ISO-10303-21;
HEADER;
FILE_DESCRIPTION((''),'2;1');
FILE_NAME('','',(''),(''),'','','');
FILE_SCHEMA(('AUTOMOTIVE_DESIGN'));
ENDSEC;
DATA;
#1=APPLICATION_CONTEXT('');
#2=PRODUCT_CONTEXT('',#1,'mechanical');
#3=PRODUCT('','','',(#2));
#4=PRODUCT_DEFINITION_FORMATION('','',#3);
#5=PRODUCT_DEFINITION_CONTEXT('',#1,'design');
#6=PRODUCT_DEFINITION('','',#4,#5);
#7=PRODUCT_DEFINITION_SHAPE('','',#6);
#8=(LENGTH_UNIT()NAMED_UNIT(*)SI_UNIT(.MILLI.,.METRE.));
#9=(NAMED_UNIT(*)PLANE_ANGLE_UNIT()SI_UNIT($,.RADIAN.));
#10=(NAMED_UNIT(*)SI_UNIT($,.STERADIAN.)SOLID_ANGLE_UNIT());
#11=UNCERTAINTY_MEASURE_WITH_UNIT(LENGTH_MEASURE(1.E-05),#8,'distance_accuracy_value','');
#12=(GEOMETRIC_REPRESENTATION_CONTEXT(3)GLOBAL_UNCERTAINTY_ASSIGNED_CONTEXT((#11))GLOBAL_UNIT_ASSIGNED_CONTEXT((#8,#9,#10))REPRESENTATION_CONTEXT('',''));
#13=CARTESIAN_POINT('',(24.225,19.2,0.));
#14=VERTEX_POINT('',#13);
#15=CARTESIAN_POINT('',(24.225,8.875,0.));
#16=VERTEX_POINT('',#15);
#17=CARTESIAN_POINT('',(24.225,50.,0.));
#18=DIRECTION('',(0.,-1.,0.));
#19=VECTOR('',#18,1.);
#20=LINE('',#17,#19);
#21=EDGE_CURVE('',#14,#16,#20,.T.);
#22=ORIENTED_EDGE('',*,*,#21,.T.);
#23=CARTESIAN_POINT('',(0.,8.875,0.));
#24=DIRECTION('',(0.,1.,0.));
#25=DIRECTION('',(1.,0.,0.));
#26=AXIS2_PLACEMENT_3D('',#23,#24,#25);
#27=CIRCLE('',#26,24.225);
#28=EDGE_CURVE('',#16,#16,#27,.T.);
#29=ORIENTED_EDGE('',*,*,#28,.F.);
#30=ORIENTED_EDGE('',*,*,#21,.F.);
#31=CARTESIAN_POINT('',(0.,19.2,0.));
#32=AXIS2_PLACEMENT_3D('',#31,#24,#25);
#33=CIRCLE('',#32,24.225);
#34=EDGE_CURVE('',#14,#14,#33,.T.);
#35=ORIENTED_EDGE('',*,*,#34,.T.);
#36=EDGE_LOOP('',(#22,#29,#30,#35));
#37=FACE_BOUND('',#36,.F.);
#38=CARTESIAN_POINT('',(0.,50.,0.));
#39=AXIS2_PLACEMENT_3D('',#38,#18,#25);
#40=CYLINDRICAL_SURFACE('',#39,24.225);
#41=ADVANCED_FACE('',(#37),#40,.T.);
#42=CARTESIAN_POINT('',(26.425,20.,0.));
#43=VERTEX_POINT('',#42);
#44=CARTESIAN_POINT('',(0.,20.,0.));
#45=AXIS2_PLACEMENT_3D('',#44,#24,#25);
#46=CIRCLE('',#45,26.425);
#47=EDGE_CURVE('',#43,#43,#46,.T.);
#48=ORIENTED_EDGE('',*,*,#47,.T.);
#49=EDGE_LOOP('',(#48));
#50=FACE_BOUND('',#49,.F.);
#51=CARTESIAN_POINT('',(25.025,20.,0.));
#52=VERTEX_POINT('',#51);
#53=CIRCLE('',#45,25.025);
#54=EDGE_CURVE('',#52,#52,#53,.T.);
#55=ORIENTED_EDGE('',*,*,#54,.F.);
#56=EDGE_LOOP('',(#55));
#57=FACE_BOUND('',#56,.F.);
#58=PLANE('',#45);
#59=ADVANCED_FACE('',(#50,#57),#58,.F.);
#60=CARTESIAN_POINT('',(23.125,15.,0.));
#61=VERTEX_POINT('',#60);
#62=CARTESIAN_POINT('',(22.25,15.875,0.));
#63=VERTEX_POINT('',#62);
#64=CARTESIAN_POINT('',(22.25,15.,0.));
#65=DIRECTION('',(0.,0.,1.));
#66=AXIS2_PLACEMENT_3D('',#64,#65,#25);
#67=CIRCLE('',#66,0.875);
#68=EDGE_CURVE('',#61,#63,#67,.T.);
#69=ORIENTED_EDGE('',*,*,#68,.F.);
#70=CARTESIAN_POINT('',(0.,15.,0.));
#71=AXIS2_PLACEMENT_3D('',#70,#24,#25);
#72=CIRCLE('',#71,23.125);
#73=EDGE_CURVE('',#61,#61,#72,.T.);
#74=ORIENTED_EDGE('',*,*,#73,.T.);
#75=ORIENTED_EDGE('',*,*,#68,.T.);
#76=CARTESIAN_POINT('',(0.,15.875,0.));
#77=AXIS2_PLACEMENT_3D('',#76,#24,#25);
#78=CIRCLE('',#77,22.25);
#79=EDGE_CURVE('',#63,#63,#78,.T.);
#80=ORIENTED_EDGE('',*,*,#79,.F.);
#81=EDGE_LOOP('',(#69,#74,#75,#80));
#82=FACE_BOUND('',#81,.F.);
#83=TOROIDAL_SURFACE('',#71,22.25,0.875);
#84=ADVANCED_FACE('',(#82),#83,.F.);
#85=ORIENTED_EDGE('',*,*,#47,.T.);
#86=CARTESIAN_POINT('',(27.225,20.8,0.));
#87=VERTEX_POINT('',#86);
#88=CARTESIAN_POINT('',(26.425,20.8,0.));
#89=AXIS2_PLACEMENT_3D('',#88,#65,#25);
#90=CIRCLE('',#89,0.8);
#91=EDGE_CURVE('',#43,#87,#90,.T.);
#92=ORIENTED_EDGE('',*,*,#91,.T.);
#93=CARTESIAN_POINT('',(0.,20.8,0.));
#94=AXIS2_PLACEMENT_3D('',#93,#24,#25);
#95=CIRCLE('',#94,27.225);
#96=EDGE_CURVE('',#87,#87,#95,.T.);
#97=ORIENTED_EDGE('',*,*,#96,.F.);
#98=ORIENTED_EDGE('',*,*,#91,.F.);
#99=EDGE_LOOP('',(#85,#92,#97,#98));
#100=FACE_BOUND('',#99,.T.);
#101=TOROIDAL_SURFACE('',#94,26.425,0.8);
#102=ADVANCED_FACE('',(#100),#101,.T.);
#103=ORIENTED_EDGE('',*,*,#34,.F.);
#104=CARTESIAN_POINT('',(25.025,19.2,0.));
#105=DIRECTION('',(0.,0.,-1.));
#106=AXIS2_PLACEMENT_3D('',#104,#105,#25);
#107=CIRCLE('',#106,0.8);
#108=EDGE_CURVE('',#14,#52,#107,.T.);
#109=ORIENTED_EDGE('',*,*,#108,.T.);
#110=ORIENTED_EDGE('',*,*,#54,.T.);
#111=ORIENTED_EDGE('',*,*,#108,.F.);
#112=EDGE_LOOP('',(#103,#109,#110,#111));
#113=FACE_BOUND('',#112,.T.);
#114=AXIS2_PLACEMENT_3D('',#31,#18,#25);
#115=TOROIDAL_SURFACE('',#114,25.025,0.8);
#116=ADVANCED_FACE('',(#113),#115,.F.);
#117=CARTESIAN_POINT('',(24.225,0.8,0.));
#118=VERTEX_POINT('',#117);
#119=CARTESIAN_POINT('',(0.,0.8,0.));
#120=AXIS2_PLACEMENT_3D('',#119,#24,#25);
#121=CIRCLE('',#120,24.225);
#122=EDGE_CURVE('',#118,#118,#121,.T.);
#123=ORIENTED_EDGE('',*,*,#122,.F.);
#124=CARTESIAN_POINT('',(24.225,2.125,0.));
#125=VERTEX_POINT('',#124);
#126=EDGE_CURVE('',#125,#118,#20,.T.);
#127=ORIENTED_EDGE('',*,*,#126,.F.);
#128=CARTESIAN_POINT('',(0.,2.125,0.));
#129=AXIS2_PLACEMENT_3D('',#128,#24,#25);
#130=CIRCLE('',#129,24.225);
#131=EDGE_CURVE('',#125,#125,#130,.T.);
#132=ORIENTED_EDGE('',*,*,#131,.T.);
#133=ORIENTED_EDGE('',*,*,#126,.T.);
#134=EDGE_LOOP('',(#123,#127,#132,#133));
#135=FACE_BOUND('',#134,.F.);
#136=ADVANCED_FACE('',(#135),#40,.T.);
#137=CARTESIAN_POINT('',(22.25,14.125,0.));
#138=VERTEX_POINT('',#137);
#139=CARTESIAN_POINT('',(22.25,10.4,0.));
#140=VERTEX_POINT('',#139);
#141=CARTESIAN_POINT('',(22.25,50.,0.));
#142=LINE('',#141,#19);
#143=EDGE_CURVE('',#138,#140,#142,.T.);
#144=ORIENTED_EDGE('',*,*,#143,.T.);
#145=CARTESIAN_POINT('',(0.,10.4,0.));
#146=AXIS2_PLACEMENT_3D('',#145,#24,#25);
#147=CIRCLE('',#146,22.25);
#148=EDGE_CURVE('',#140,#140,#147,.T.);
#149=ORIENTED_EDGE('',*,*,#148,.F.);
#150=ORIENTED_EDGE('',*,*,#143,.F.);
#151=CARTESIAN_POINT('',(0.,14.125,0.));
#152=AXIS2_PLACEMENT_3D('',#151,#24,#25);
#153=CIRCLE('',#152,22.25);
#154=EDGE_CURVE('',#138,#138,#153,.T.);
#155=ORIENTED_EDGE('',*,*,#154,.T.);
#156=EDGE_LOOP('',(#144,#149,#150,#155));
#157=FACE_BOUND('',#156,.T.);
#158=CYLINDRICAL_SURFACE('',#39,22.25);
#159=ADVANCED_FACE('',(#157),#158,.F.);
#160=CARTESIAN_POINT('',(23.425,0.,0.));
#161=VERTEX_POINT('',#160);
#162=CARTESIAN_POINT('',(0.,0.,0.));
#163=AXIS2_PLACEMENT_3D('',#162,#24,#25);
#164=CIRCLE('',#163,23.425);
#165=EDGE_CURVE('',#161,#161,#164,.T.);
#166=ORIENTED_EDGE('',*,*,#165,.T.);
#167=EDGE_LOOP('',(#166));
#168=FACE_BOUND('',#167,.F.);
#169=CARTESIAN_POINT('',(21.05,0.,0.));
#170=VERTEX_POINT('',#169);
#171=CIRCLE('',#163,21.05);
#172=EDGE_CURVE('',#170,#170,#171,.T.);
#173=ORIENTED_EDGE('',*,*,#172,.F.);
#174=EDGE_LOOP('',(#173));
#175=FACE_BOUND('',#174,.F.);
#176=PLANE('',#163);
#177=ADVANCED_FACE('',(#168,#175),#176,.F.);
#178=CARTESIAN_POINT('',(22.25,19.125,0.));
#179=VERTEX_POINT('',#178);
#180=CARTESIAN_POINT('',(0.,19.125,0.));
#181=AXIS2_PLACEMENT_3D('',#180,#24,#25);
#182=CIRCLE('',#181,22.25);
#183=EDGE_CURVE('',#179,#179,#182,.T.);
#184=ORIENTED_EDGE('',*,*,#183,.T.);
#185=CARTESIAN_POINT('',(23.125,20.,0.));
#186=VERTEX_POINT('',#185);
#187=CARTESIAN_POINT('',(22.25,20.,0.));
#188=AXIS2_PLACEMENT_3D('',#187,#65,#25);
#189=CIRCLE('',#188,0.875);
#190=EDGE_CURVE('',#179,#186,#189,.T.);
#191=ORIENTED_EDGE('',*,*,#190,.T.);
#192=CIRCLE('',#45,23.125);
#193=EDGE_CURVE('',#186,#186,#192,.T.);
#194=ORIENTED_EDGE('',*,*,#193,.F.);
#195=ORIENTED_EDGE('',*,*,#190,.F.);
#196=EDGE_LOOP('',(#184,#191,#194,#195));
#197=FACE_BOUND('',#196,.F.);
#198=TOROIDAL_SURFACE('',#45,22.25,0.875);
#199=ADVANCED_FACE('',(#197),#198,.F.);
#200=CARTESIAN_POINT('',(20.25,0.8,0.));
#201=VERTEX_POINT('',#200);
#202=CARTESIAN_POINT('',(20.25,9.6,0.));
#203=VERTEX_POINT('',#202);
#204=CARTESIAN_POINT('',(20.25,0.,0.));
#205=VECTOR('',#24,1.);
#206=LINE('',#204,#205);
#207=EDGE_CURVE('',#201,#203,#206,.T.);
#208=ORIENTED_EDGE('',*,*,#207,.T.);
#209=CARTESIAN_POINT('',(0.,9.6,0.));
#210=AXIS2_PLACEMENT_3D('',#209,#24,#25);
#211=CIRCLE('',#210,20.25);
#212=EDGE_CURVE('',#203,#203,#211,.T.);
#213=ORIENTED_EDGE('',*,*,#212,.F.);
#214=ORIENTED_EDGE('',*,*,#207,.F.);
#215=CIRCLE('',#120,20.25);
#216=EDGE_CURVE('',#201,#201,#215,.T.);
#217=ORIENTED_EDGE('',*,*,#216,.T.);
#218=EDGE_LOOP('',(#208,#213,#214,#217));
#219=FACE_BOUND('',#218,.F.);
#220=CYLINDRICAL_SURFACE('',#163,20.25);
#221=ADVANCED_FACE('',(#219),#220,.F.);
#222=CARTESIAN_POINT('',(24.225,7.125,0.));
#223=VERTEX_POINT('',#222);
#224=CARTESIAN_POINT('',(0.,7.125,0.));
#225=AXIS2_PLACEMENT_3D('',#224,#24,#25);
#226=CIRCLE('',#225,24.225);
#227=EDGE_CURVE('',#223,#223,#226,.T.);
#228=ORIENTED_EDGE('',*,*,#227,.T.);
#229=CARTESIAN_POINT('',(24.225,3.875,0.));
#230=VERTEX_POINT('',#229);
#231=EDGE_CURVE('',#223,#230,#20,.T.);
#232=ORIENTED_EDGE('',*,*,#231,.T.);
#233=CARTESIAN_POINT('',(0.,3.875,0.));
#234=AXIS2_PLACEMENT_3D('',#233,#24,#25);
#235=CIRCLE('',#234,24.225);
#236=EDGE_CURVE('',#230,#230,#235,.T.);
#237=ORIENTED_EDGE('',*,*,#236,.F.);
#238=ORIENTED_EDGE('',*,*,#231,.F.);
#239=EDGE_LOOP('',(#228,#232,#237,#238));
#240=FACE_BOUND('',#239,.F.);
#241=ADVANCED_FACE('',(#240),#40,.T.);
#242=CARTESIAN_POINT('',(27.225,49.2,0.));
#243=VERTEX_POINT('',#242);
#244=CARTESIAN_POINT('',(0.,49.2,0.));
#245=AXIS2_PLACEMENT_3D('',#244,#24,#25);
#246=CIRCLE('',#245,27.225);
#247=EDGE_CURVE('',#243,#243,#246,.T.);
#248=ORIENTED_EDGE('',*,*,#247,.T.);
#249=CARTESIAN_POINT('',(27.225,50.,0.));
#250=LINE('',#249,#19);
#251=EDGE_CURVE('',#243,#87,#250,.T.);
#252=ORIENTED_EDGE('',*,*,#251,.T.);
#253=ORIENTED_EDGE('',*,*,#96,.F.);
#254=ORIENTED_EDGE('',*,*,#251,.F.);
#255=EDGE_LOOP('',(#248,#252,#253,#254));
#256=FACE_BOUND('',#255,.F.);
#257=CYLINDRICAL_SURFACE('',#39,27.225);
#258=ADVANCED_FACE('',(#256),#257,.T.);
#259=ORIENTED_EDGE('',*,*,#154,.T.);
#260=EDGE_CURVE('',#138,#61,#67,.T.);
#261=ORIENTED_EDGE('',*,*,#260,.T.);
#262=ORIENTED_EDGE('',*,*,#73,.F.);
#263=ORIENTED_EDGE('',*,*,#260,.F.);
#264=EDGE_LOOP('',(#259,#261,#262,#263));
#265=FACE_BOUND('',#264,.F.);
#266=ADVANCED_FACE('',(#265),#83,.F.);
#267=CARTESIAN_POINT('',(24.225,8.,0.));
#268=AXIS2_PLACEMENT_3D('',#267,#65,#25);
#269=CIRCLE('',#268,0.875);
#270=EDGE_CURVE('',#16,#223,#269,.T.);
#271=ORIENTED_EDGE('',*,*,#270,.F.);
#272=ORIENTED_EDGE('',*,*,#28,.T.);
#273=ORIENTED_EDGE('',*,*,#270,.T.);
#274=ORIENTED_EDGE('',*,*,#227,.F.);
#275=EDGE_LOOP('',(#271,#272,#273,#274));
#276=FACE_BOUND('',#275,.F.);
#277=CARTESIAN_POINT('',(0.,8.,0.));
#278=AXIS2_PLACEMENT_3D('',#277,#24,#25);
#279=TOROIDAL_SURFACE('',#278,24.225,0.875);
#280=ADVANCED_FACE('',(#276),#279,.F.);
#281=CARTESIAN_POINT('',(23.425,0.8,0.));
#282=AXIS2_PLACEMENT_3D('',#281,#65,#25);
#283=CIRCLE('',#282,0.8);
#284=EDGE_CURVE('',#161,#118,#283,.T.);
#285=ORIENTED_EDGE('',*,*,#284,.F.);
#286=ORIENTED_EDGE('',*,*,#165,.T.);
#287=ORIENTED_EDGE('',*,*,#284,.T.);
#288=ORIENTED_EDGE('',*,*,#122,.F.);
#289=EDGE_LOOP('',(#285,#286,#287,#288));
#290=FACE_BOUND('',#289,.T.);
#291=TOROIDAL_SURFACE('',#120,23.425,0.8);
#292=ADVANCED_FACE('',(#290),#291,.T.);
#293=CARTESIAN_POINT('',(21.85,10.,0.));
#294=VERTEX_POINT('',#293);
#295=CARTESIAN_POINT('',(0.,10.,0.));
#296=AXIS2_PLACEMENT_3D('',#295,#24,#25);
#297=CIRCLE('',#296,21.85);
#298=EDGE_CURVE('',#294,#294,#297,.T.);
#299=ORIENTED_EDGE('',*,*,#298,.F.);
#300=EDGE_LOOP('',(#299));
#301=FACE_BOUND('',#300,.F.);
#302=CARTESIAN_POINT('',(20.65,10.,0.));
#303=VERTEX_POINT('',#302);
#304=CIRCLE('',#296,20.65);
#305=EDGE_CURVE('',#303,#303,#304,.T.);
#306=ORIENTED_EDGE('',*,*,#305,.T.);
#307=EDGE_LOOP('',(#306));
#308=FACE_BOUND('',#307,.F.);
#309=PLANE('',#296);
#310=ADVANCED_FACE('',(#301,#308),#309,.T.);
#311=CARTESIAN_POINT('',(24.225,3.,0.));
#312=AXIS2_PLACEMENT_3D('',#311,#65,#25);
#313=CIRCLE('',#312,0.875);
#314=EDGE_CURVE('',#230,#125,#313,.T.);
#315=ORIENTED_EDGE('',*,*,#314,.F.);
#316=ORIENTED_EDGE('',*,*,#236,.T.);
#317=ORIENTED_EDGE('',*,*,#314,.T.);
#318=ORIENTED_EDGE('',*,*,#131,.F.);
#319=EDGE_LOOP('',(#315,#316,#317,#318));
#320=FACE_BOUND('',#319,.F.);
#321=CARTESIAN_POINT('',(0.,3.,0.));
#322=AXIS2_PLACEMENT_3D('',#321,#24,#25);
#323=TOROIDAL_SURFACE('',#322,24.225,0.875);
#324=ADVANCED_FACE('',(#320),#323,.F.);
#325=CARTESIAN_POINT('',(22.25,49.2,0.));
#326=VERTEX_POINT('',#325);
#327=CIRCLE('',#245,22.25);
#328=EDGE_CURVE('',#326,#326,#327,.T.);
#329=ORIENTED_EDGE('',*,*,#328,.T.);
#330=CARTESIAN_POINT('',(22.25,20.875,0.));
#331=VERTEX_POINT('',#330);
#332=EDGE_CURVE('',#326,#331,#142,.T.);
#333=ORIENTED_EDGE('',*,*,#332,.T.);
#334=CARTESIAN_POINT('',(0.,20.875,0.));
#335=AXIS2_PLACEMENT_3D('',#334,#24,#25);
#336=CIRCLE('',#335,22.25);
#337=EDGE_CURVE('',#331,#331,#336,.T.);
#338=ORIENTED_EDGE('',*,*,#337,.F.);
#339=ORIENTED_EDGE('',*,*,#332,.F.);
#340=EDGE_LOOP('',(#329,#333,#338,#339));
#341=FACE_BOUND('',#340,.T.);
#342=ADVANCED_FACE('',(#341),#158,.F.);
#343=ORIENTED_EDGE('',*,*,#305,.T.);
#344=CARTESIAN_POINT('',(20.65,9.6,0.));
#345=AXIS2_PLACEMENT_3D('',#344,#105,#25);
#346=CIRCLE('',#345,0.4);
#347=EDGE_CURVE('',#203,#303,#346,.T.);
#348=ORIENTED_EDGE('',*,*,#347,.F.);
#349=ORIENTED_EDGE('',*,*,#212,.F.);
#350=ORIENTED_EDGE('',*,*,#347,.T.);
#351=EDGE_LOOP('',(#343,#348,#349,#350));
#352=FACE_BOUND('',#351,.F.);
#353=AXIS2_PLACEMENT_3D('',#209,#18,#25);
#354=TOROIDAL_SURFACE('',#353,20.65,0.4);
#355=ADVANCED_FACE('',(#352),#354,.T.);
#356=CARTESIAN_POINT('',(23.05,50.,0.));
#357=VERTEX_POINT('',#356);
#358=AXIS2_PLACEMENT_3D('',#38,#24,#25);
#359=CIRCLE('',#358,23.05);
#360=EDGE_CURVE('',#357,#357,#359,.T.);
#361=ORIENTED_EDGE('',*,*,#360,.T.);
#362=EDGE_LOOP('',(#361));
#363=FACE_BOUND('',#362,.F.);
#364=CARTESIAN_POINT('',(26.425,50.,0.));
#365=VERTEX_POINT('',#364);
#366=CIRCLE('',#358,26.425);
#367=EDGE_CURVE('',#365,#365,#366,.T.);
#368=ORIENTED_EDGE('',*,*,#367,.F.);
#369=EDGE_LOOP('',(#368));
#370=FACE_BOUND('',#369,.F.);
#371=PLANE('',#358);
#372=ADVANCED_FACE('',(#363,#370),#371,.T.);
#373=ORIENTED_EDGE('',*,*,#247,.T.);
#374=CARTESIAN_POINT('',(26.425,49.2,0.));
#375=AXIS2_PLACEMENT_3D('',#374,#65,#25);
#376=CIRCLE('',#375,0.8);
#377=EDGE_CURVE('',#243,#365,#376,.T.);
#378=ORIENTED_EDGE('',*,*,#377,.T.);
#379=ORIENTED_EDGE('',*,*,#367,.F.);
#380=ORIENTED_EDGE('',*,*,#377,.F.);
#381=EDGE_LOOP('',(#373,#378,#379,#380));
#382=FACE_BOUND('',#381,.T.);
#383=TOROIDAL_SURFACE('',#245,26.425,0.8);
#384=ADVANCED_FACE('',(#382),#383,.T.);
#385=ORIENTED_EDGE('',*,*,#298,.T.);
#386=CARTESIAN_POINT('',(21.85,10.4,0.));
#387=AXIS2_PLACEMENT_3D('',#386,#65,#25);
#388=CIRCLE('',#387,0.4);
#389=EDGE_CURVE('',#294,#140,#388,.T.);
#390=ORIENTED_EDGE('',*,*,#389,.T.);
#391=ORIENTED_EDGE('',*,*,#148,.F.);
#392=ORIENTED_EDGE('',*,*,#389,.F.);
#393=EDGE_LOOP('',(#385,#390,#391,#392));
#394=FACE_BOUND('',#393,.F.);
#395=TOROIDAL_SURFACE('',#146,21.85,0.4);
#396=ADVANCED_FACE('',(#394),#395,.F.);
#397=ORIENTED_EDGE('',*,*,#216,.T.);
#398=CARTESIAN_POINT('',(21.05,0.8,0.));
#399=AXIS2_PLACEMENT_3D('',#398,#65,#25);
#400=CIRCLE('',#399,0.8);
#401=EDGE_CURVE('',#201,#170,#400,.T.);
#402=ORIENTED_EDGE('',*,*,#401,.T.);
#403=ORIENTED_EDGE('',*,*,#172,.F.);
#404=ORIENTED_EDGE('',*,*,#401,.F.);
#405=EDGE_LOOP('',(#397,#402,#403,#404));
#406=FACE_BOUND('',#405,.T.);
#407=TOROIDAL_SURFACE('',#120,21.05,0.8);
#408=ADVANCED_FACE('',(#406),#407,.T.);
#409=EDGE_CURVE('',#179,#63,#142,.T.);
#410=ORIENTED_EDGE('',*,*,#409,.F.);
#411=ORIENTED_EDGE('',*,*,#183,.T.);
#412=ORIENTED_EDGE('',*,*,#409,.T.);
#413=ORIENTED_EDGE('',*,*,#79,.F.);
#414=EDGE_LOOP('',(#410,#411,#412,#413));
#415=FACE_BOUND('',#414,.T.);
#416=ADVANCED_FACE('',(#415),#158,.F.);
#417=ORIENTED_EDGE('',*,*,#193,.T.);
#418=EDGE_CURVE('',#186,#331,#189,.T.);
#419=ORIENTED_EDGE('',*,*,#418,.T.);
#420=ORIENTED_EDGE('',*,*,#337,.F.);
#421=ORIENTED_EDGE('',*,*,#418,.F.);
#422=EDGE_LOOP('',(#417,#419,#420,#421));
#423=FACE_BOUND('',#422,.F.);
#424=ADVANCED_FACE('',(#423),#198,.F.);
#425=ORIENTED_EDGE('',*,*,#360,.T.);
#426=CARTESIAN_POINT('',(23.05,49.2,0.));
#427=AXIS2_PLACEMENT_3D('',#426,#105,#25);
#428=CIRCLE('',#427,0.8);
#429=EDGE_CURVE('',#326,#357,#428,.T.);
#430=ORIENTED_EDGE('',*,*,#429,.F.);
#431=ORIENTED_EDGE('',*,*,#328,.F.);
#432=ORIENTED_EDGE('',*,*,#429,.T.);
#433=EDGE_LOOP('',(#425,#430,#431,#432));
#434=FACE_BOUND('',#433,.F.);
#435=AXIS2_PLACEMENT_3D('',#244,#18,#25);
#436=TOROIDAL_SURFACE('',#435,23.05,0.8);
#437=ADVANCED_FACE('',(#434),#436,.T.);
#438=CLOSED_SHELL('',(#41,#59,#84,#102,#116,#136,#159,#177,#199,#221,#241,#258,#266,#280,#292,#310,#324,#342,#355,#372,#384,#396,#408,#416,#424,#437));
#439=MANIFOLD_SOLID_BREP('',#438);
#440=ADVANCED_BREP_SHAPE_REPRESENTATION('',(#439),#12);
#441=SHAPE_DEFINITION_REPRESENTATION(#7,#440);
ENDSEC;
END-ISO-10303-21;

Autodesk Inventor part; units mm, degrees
ref_plane "YZ Plane" through (0, 0, 0) normal (1, 0, 0) x (0, 1, 0)
ref_plane "XZ Plane" through (0, 0, 0) normal (0, 1, 0) x (-1, 0, 0)
ref_plane "XY Plane" through (0, 0, 0) normal (0, 0, 1) x (1, 0, 0)
sketch "Sketch4" plane through (0, 0, 0) normal (0, 0, 1) x (1, 0, 0)
  line L0 (0, 0) -> (0, 50)
  line L1 (0, 50) -> (27.225, 50)
  line L2 (24.225, 50) -> (24.225, 0)
  line L3 (24.225, 0) -> (0, 0)
  line L4 (22.25, 50) -> (22.25, 0)
  line L5 (20.25, 0) -> (20.25, 10)
  line L6 (20.25, 10) -> (22.25, 10)
  circle A0 centre (24.225, 3) radius 0.875
  circle A1 centre (22.25, 15) radius 0.875
  circle A2 centre (24.225, 8) radius 0.875
  line L7 (27.225, 50) -> (27.225, 20)
  line L8 (27.225, 20) -> (24.225, 20)
  circle A3 centre (22.25, 20) radius 0.875
  point P0 (24.225, 2.125)
  point P1 (24.225, 3.875)
  point P2 (22.25, 15.875)
  point P3 (22.25, 14.125)
  point P4 (24.225, 7.125)
  point P5 (24.225, 8.875)
  point P6 (22.25, 20.875)
  point P7 (22.25, 19.125)
  dimension "d56" = 48.45
  dimension "d57" = 44.5
  dimension "d59" = 10
  dimension "d60" = 2
  dimension "d61" = 1.75
  dimension "d63" = 5
  dimension "d69" = 5
  dimension "d74" = 3
  dimension "d75" = 40
  dimension "d76" = 30
  dimension "d77" = 3
  dimension "d80" = 5
revolve "Revolution2" add sketch "Sketch4" angle 360 about axis through (0, 0, 0) along (0, 1, 0) contours L5 L6 L4 L3 | L1 L2 A2 A0 L3 L4 A1 A3 | L1 L7 L8 L2
fillet "Fillet4" radius 0.8 6 edges at (-22.25, 50, 0) (-24.225, 0, 0) (-20.25, 0, 0) (-27.225, 50, 0) (-27.225, 20, 0) (-24.225, 20, 0)
fillet "Fillet5" radius 0.4 2 edges at (-22.25, 10, 0) (-20.25, 10, 0)
properties part number "Tapered Vac Fitting" material "PVC, Unplasticized"
